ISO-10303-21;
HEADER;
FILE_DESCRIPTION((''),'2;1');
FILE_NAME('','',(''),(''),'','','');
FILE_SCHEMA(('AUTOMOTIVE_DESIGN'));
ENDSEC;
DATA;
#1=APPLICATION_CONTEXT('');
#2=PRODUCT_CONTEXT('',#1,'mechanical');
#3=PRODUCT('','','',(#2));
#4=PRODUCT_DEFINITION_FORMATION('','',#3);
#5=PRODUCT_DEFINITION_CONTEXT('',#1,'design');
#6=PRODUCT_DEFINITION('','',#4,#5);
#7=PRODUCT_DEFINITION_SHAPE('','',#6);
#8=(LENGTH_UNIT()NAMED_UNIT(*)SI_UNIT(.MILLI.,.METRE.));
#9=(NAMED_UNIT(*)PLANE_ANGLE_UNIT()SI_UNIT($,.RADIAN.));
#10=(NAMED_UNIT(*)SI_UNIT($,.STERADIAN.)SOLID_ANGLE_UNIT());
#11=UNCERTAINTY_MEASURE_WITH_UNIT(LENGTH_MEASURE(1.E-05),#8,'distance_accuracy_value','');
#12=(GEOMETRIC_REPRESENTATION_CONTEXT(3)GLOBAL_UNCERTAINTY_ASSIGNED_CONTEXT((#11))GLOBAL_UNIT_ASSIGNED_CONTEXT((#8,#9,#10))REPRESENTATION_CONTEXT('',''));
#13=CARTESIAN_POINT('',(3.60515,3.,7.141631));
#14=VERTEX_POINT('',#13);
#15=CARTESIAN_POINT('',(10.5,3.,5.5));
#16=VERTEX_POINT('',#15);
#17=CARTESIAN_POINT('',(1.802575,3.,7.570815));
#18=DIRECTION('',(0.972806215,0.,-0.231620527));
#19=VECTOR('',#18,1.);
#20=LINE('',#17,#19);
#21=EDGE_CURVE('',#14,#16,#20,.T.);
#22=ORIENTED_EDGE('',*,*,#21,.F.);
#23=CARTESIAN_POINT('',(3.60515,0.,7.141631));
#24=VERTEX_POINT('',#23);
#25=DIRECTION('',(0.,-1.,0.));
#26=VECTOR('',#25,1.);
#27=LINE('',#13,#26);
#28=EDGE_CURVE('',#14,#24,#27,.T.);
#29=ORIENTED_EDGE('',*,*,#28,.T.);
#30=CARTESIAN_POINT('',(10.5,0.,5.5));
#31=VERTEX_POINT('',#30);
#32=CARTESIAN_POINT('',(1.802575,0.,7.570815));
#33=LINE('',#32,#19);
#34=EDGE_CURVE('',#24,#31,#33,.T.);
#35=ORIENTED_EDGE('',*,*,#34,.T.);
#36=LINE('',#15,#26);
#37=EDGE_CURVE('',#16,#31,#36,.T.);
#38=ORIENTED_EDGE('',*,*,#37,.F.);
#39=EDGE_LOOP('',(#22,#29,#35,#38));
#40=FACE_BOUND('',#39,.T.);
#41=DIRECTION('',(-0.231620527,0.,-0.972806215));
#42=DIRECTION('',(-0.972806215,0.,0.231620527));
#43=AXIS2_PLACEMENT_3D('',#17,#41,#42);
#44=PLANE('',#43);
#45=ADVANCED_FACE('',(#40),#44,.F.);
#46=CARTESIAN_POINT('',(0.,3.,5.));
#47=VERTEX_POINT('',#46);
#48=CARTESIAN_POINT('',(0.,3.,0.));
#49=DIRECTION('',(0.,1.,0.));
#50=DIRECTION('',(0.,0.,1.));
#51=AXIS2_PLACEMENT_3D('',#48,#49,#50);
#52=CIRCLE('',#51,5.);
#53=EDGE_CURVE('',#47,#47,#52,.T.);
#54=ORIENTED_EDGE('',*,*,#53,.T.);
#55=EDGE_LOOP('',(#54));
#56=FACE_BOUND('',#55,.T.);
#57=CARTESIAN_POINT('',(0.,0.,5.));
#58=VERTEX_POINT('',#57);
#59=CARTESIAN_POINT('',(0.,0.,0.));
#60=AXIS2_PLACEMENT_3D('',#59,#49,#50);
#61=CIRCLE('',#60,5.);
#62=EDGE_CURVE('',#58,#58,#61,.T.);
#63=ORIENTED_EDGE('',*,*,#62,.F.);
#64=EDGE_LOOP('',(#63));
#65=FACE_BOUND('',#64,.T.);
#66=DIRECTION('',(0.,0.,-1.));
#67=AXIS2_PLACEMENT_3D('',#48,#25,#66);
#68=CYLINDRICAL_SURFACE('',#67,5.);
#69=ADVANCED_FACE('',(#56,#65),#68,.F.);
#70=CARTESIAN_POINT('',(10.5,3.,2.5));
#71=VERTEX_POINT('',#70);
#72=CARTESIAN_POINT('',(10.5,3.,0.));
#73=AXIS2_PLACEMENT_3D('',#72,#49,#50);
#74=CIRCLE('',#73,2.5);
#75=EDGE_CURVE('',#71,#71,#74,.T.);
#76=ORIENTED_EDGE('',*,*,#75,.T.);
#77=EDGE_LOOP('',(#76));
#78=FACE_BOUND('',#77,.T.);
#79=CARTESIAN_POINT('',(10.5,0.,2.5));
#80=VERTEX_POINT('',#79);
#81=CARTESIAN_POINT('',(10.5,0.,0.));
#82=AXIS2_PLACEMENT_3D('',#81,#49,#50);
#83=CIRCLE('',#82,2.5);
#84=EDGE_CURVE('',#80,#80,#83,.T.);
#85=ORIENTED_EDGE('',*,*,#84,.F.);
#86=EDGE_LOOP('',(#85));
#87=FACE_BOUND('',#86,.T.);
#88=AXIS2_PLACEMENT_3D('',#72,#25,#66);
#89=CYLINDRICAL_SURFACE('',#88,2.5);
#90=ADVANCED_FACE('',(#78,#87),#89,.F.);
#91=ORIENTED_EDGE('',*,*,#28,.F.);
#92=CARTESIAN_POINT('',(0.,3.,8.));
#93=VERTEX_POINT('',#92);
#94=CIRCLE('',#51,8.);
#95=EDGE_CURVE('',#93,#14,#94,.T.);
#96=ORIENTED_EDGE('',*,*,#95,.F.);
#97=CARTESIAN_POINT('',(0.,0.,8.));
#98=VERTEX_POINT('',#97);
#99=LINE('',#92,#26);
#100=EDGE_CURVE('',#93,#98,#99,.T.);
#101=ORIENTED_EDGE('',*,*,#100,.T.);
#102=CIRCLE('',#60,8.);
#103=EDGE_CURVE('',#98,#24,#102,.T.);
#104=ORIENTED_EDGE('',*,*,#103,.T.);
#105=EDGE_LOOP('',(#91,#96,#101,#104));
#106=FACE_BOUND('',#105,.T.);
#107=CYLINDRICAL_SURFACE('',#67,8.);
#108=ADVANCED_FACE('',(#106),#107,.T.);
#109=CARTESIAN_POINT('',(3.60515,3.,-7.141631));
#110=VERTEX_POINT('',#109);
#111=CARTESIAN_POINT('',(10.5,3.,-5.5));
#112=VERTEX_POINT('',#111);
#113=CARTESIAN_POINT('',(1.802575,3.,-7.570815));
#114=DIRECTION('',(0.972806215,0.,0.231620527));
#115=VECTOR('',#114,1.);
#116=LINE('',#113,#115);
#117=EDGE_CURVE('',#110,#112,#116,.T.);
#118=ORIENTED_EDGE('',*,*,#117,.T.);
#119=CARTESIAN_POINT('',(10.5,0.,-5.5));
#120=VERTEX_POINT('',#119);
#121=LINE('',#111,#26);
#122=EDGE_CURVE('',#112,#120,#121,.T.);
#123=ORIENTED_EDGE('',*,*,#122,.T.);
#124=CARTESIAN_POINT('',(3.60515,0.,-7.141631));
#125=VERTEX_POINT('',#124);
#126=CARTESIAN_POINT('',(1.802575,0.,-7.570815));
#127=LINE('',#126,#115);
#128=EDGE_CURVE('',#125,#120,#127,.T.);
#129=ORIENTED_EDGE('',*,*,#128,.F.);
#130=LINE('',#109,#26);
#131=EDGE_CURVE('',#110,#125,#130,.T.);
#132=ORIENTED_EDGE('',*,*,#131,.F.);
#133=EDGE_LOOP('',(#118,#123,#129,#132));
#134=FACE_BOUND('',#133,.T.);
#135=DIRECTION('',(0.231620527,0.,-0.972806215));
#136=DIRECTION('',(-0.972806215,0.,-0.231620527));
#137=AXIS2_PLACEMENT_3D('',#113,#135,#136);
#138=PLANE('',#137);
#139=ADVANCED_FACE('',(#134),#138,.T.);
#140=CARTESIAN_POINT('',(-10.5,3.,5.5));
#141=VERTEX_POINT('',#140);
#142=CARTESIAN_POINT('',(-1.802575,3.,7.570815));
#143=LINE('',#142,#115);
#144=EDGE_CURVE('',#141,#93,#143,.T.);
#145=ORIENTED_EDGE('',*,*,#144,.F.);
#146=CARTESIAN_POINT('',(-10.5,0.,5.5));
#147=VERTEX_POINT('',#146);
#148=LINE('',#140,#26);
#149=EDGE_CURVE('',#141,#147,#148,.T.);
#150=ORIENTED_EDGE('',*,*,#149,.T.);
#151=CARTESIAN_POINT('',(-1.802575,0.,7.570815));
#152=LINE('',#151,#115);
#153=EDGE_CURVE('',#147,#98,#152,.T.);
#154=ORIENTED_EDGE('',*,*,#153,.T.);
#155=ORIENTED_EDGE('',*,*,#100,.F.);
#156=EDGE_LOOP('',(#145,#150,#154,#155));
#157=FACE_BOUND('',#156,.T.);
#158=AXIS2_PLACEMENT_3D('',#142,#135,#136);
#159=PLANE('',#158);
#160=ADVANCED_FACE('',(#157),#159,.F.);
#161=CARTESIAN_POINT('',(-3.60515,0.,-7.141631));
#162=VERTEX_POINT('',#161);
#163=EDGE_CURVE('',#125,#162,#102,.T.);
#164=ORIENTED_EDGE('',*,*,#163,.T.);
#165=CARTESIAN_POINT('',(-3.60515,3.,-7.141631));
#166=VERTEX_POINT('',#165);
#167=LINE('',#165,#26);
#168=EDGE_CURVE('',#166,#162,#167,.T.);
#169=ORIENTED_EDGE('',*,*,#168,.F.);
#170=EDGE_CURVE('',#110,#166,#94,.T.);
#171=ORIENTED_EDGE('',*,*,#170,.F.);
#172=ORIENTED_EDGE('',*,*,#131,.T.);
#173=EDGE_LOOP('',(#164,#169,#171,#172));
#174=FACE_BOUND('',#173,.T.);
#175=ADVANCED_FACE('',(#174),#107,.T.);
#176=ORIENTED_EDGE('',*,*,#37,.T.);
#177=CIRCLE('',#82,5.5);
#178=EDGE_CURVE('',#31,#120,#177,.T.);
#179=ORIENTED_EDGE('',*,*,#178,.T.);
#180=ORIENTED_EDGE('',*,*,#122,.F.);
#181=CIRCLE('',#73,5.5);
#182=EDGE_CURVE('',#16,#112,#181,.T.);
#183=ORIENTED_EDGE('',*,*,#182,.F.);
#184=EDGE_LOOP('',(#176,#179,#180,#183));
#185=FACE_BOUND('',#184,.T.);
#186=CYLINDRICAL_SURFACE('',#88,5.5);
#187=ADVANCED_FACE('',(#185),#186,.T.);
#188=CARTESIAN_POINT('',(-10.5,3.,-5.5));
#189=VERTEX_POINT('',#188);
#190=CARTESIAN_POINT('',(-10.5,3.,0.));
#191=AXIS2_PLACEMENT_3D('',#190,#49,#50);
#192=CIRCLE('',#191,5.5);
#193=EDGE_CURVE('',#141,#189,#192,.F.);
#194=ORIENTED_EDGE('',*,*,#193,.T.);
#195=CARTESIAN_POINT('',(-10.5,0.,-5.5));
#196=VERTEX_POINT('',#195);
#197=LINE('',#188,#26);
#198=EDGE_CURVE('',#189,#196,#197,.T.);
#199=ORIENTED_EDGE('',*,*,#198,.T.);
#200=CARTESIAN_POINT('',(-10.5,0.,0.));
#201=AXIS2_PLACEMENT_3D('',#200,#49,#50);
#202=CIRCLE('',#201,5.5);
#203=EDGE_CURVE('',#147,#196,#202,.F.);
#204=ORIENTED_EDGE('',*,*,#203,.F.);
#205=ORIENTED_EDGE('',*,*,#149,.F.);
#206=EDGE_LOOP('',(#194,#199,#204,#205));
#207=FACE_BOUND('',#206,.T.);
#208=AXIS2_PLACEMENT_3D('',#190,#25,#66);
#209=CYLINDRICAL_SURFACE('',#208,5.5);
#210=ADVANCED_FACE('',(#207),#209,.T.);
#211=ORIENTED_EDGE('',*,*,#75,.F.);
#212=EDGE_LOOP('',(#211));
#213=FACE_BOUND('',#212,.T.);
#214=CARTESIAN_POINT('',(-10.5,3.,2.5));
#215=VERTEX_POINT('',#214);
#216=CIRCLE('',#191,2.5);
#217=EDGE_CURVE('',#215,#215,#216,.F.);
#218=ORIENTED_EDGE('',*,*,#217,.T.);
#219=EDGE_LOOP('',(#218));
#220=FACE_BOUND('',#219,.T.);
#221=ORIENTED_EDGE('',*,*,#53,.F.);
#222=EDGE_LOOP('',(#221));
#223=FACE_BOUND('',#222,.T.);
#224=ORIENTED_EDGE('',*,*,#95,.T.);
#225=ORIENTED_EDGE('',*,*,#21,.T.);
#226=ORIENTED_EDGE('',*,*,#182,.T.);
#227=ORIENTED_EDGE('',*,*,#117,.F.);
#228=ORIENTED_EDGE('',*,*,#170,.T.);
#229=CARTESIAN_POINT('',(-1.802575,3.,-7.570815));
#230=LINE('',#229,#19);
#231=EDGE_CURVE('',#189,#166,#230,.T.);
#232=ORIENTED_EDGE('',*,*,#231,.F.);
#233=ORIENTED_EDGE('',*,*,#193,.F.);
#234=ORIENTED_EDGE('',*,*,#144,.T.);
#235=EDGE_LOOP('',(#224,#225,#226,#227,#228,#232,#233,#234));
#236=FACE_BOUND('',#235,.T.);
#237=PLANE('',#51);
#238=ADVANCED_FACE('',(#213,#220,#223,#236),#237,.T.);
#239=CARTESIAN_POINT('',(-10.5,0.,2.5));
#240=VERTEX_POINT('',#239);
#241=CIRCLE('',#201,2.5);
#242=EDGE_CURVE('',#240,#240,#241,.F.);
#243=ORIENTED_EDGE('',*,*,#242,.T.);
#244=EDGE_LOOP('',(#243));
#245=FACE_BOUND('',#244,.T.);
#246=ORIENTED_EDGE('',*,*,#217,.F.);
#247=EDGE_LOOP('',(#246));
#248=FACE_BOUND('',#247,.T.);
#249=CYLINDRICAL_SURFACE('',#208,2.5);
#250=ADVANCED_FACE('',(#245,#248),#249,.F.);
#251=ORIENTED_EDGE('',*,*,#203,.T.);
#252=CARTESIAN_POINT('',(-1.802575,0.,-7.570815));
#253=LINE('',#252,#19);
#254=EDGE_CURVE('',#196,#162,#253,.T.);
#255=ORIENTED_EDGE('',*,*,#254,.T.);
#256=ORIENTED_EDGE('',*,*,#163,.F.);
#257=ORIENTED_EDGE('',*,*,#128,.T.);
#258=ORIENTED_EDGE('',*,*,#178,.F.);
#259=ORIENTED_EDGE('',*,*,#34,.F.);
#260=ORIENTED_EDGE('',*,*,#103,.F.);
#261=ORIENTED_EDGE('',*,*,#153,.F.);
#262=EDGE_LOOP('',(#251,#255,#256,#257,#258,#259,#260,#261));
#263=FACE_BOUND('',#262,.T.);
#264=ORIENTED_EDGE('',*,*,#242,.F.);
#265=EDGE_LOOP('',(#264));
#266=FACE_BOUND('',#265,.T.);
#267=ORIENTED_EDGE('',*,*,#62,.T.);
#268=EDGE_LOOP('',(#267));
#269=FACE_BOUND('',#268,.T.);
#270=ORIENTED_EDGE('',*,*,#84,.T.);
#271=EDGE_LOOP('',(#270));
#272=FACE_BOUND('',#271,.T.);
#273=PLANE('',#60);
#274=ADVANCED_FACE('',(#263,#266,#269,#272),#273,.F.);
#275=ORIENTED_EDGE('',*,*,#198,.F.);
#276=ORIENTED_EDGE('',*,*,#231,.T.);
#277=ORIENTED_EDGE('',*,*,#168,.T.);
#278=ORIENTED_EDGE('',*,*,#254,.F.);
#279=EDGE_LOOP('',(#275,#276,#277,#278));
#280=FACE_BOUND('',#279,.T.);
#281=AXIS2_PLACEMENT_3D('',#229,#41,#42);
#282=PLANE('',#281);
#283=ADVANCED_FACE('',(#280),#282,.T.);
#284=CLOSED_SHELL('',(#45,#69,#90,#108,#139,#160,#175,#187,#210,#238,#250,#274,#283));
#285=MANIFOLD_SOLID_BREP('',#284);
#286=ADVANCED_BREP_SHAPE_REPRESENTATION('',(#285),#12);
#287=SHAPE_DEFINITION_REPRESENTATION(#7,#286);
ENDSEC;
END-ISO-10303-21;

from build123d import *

# Parameters (mm, degrees)
ESQUISSE1_R        = 2.5
ESQUISSE1_R_2      = 5
BOSS_EXTRU_2_DEPTH = 3


with BuildPart() as part:
    # Esquisse1 → Boss.-Extru.2 (new body)
    with BuildSketch(Plane(origin=(0, 0, 0), x_dir=(1, 0, 0), z_dir=(0, 1, 0))):
        with BuildLine():
            ThreePointArc((0, -8), (1.852964218, -7.782449717), (3.605150215, -7.141630901))
            Line((3.605150215, -7.141630901), (10.5, -5.5))
            ThreePointArc((10.5, -5.5), (16, 0), (10.5, 5.5))
            Line((10.5, 5.5), (3.605150215, 7.141630901))
            ThreePointArc((3.605150215, 7.141630901), (0, 8), (-3.605150215, 7.141630901))
            Line((-3.605150215, 7.141630901), (-10.5, 5.5))
            ThreePointArc((-10.5, 5.5), (-16, 0), (-10.5, -5.5))
            Line((-10.5, -5.5), (0, -8))
        make_face()
        with Locations((-10.5, 0)):
            Circle(ESQUISSE1_R, mode=Mode.SUBTRACT)
        Circle(ESQUISSE1_R_2, mode=Mode.SUBTRACT)
        with Locations((10.5, 0)):
            Circle(ESQUISSE1_R, mode=Mode.SUBTRACT)
    extrude(amount=BOSS_EXTRU_2_DEPTH)


solid = part.part
